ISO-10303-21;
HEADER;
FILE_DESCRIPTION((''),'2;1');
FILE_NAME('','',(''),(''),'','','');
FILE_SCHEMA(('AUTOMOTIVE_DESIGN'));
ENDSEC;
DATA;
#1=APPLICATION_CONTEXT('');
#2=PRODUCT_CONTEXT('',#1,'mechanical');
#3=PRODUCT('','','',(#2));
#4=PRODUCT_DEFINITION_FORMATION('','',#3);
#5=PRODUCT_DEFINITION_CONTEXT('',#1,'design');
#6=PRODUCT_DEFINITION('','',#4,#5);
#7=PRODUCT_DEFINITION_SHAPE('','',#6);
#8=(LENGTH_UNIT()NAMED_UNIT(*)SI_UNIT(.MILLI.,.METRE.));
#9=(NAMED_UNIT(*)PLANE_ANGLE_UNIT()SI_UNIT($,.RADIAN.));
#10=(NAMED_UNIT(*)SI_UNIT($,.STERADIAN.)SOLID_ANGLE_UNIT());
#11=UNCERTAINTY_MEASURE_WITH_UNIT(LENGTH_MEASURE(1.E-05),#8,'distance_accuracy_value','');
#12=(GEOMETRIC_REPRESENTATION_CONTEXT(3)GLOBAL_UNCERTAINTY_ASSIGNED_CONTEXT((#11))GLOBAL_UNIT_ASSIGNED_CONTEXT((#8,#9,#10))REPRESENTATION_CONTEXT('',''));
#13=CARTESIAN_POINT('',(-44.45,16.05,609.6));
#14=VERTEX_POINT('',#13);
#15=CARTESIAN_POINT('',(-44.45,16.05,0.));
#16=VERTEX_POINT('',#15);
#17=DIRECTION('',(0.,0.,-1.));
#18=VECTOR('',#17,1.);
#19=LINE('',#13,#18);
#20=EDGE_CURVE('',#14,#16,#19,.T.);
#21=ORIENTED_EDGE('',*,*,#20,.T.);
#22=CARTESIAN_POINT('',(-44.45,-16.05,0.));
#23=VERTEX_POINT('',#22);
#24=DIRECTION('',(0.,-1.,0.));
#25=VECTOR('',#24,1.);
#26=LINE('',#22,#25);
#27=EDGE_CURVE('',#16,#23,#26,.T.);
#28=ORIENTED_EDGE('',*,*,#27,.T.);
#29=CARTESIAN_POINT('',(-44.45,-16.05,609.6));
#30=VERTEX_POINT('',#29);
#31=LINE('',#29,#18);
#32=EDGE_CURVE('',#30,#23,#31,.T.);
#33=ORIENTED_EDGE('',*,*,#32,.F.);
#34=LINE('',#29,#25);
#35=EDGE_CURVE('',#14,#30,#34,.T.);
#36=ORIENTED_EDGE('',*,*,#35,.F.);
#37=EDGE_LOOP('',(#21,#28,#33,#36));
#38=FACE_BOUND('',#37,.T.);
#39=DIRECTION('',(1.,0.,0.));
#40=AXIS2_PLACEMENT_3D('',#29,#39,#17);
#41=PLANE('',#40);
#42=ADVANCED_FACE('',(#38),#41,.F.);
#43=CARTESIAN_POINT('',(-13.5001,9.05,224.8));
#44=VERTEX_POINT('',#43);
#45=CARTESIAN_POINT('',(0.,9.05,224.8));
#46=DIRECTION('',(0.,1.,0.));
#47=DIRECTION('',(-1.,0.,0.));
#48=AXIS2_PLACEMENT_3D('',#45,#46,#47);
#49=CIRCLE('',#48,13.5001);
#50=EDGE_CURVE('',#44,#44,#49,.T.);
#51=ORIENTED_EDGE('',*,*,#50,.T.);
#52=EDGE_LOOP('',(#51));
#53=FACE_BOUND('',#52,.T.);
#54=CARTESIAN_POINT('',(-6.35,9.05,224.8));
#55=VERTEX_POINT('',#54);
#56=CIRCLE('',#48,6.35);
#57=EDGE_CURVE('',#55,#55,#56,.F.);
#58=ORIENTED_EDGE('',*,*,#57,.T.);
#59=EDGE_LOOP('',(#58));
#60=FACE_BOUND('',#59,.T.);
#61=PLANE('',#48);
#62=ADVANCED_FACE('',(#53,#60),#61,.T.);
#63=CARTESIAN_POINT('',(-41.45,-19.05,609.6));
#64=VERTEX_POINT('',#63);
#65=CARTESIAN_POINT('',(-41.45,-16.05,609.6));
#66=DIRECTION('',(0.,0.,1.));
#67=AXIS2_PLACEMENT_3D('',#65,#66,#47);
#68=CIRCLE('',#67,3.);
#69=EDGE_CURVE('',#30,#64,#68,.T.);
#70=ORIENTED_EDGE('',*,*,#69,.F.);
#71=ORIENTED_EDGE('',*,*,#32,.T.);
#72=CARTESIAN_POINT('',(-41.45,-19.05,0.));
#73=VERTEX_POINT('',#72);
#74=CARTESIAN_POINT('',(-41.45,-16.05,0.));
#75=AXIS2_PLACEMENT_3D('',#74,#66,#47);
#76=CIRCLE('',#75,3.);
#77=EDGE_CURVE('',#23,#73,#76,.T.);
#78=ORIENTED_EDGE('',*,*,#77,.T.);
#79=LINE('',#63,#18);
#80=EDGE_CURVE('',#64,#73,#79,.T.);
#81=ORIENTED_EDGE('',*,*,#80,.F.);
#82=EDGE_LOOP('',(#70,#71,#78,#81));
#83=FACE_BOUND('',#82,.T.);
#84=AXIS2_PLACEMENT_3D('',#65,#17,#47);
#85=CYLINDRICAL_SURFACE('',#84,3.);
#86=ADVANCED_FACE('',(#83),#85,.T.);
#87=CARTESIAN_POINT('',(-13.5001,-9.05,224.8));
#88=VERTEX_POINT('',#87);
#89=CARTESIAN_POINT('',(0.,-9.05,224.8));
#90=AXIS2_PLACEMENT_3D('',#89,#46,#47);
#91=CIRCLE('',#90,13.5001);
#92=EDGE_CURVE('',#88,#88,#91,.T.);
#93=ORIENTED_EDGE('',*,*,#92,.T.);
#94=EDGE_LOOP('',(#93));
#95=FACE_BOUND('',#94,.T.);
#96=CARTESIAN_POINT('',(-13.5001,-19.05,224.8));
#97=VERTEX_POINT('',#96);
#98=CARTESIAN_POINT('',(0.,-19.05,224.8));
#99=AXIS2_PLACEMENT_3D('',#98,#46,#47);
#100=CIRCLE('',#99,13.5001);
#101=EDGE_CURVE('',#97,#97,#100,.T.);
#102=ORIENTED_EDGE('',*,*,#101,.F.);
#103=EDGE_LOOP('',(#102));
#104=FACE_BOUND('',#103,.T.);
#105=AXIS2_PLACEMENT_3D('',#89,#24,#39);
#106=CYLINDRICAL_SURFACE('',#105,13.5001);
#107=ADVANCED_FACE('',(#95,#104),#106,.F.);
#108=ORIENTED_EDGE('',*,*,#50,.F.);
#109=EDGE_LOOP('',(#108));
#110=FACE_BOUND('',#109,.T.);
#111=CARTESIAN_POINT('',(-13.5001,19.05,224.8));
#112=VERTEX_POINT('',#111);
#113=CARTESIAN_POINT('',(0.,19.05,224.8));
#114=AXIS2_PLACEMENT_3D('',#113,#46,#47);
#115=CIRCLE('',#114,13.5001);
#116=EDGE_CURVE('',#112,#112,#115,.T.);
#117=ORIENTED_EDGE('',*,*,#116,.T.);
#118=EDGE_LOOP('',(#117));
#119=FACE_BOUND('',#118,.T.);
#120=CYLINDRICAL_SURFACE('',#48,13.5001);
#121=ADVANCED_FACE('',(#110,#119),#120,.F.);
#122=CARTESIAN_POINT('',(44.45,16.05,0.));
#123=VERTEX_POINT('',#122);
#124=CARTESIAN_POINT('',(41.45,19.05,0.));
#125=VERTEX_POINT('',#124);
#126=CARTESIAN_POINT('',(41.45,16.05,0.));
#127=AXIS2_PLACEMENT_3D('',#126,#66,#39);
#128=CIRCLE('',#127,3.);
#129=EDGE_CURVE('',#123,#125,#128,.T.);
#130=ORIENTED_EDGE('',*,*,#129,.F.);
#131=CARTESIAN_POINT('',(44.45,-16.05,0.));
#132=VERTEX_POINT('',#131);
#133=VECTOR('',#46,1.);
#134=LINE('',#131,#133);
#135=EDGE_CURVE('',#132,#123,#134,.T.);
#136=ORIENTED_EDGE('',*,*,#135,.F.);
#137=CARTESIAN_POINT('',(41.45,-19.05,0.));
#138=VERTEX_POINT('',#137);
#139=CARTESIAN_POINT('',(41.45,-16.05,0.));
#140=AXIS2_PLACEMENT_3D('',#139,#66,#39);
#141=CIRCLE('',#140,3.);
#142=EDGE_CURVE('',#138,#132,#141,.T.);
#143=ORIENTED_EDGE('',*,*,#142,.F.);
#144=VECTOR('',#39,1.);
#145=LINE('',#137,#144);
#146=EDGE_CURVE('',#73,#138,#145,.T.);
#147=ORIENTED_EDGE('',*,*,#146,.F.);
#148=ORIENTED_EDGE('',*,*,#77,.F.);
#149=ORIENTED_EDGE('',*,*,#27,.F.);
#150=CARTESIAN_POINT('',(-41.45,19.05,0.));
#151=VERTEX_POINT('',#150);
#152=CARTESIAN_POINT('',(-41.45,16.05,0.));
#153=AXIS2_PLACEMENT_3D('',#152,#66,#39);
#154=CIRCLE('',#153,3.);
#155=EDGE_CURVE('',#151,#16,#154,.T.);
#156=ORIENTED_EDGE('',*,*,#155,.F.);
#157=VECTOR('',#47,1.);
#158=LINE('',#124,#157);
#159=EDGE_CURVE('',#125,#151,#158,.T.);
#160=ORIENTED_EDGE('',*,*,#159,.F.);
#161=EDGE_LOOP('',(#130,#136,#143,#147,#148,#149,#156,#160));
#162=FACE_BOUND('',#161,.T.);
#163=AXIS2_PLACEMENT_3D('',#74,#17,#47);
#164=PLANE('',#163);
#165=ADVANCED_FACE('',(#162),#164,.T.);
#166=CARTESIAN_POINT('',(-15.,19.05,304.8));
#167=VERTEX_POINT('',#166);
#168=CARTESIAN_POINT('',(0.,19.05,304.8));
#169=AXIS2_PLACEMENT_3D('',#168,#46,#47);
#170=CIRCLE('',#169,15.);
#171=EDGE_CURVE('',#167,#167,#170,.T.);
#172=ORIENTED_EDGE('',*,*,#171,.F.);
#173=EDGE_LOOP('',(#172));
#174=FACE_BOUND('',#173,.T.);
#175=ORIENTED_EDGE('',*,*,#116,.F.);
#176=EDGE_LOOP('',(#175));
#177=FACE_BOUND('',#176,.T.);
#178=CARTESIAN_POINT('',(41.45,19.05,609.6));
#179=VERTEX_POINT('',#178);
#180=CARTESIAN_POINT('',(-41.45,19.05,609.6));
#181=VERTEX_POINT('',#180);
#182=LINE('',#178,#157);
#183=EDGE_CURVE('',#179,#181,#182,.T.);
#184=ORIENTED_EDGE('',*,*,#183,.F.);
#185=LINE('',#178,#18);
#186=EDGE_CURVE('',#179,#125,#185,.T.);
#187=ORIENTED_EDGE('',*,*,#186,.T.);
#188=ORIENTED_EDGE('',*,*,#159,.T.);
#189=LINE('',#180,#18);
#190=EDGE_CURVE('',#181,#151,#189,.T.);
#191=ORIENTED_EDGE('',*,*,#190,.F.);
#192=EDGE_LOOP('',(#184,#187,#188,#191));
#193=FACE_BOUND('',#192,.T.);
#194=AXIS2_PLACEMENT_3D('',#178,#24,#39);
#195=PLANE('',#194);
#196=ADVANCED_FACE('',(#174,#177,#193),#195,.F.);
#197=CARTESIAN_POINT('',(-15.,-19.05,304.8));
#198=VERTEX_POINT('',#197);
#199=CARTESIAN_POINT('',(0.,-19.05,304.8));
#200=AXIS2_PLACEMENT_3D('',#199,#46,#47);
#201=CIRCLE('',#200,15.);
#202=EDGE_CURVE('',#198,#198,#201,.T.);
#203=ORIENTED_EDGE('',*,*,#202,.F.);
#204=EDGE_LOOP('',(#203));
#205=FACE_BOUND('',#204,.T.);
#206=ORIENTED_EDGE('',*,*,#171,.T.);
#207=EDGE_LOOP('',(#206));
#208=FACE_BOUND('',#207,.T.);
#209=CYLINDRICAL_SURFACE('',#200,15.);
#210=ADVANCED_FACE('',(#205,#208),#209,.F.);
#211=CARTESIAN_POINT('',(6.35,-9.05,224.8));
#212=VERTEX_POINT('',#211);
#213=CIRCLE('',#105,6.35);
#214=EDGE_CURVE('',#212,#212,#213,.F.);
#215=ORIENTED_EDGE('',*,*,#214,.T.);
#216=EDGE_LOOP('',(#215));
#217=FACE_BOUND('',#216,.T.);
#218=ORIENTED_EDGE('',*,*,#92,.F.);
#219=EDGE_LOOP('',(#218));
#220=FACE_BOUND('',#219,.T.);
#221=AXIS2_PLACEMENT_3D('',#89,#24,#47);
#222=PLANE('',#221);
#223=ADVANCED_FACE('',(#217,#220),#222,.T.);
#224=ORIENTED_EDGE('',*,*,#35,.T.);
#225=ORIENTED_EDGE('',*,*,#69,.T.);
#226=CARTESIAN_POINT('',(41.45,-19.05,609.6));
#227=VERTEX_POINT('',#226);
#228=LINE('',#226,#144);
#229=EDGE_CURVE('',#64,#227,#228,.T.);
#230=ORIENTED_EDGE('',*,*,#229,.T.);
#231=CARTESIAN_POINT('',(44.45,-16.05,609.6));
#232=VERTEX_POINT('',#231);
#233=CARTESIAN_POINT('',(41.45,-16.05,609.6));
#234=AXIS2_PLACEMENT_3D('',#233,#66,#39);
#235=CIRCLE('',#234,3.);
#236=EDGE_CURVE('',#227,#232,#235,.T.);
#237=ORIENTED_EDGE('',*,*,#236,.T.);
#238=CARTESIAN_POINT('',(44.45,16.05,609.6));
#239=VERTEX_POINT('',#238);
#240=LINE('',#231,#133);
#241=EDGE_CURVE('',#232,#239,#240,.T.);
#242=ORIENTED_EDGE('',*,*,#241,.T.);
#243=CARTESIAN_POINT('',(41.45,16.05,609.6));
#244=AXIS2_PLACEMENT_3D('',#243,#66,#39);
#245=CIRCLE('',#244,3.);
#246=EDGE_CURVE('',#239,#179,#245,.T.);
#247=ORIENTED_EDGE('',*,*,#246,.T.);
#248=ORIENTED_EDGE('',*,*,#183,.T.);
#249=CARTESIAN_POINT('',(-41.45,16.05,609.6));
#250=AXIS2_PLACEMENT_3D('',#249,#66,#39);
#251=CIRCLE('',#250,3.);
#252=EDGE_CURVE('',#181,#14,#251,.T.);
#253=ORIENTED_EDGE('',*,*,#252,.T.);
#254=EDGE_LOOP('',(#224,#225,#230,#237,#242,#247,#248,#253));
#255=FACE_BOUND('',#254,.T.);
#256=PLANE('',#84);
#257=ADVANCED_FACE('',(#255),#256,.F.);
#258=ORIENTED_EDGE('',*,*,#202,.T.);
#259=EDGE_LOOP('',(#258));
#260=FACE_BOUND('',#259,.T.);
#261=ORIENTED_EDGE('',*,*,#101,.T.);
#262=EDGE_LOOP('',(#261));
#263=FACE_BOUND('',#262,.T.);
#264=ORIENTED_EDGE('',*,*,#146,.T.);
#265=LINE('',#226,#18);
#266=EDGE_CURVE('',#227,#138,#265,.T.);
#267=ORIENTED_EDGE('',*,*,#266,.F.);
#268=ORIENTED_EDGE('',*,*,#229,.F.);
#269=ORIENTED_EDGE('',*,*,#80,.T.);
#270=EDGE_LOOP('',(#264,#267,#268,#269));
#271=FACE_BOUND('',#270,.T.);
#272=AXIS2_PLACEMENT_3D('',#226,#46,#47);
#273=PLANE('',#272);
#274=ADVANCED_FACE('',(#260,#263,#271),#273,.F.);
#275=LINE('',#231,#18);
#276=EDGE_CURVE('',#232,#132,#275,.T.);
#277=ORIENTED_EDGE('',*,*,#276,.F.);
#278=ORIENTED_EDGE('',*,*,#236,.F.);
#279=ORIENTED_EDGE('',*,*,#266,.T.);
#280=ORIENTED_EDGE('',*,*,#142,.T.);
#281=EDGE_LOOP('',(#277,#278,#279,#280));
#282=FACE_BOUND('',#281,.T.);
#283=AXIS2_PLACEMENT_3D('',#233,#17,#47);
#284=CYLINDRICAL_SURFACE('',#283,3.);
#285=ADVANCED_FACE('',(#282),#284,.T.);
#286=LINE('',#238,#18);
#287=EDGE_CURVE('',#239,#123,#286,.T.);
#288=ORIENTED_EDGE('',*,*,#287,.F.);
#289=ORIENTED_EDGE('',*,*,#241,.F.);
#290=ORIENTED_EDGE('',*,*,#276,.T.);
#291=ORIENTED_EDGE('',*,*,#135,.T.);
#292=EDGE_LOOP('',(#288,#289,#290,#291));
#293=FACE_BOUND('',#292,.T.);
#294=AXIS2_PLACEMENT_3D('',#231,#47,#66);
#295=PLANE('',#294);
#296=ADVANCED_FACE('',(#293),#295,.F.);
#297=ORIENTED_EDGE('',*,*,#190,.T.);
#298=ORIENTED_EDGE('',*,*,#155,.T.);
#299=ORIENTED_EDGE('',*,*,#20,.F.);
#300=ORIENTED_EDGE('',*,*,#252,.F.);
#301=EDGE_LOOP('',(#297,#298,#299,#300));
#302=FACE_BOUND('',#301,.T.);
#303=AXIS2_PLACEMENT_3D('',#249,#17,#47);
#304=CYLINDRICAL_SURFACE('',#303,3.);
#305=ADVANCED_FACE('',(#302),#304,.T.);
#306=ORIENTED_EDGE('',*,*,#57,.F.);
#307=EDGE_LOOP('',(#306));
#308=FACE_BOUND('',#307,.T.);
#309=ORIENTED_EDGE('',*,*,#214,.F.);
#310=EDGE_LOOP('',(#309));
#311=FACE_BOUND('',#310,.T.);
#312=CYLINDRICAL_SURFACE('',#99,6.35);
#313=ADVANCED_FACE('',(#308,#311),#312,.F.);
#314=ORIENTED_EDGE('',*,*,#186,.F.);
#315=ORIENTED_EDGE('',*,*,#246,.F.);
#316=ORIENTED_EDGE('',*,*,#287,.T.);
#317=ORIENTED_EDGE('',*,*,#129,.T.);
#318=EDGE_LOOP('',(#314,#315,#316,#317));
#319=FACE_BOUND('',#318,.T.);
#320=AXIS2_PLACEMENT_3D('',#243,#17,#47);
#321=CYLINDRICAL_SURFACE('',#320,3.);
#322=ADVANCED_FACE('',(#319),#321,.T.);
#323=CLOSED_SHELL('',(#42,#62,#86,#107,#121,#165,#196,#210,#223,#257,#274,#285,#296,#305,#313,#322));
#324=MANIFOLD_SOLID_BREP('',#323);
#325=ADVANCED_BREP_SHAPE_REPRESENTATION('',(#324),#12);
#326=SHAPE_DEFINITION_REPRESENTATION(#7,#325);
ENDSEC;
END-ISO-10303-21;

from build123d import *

# Parameters (mm, degrees)
BOSS_EXTRUDE1_DEPTH = 609.6
SKETCH2_R           = 15
SKETCH2_R_2         = 6.35
CUT_EXTRUDE1_DEPTH  = 613.404745654
SKETCH3_R           = 13.5001
CUT_EXTRUDE2_DEPTH  = 10


with BuildPart() as part:
    # Sketch1 → Boss-Extrude1 (new body)
    with BuildSketch(Plane.XY):
        with BuildLine():
            Line((41.45, -19.05), (-41.45, -19.05))
            ThreePointArc((-41.45, -19.05), (-43.571320344, -18.171320344), (-44.45, -16.05))
            Line((-44.45, -16.05), (-44.45, 16.05))
            ThreePointArc((-44.45, 16.05), (-43.571320344, 18.171320344), (-41.45, 19.05))
            Line((-41.45, 19.05), (41.45, 19.05))
            ThreePointArc((41.45, 19.05), (43.571320344, 18.171320344), (44.45, 16.05))
            Line((44.45, 16.05), (44.45, -16.05))
            ThreePointArc((44.45, -16.05), (43.571320344, -18.171320344), (41.45, -19.05))
        make_face()
    extrude(amount=BOSS_EXTRUDE1_DEPTH)

    # Sketch2 → Cut-Extrude1 (cut, through all)
    with BuildSketch(Plane(origin=(0, 19.05, 0), x_dir=(1, 0, 0), z_dir=(0, 1, 0))):
        with Locations(Location((0, -304.8, 0), (0, 0, 180))):
            Circle(SKETCH2_R)
        with Locations(Location((0, -224.8, 0), (0, 0, 180))):
            Circle(SKETCH2_R_2)
    extrude(amount=-CUT_EXTRUDE1_DEPTH, mode=Mode.SUBTRACT)

    # Sketch3 → Cut-Extrude2 (cut)
    with BuildSketch(Plane(origin=(0, 19.05, 0), x_dir=(1, 0, 0), z_dir=(0, 1, 0))):
        with Locations(Location((0, -224.8, 0), (0, 0, 180))):
            Circle(SKETCH3_R)
    cut_extrude2 = extrude(amount=-CUT_EXTRUDE2_DEPTH, mode=Mode.SUBTRACT)

    # Mirror1: Cut-Extrude2 across plane
    add(cut_extrude2.mirror(Plane.ZX), mode=Mode.SUBTRACT)


solid = part.part
